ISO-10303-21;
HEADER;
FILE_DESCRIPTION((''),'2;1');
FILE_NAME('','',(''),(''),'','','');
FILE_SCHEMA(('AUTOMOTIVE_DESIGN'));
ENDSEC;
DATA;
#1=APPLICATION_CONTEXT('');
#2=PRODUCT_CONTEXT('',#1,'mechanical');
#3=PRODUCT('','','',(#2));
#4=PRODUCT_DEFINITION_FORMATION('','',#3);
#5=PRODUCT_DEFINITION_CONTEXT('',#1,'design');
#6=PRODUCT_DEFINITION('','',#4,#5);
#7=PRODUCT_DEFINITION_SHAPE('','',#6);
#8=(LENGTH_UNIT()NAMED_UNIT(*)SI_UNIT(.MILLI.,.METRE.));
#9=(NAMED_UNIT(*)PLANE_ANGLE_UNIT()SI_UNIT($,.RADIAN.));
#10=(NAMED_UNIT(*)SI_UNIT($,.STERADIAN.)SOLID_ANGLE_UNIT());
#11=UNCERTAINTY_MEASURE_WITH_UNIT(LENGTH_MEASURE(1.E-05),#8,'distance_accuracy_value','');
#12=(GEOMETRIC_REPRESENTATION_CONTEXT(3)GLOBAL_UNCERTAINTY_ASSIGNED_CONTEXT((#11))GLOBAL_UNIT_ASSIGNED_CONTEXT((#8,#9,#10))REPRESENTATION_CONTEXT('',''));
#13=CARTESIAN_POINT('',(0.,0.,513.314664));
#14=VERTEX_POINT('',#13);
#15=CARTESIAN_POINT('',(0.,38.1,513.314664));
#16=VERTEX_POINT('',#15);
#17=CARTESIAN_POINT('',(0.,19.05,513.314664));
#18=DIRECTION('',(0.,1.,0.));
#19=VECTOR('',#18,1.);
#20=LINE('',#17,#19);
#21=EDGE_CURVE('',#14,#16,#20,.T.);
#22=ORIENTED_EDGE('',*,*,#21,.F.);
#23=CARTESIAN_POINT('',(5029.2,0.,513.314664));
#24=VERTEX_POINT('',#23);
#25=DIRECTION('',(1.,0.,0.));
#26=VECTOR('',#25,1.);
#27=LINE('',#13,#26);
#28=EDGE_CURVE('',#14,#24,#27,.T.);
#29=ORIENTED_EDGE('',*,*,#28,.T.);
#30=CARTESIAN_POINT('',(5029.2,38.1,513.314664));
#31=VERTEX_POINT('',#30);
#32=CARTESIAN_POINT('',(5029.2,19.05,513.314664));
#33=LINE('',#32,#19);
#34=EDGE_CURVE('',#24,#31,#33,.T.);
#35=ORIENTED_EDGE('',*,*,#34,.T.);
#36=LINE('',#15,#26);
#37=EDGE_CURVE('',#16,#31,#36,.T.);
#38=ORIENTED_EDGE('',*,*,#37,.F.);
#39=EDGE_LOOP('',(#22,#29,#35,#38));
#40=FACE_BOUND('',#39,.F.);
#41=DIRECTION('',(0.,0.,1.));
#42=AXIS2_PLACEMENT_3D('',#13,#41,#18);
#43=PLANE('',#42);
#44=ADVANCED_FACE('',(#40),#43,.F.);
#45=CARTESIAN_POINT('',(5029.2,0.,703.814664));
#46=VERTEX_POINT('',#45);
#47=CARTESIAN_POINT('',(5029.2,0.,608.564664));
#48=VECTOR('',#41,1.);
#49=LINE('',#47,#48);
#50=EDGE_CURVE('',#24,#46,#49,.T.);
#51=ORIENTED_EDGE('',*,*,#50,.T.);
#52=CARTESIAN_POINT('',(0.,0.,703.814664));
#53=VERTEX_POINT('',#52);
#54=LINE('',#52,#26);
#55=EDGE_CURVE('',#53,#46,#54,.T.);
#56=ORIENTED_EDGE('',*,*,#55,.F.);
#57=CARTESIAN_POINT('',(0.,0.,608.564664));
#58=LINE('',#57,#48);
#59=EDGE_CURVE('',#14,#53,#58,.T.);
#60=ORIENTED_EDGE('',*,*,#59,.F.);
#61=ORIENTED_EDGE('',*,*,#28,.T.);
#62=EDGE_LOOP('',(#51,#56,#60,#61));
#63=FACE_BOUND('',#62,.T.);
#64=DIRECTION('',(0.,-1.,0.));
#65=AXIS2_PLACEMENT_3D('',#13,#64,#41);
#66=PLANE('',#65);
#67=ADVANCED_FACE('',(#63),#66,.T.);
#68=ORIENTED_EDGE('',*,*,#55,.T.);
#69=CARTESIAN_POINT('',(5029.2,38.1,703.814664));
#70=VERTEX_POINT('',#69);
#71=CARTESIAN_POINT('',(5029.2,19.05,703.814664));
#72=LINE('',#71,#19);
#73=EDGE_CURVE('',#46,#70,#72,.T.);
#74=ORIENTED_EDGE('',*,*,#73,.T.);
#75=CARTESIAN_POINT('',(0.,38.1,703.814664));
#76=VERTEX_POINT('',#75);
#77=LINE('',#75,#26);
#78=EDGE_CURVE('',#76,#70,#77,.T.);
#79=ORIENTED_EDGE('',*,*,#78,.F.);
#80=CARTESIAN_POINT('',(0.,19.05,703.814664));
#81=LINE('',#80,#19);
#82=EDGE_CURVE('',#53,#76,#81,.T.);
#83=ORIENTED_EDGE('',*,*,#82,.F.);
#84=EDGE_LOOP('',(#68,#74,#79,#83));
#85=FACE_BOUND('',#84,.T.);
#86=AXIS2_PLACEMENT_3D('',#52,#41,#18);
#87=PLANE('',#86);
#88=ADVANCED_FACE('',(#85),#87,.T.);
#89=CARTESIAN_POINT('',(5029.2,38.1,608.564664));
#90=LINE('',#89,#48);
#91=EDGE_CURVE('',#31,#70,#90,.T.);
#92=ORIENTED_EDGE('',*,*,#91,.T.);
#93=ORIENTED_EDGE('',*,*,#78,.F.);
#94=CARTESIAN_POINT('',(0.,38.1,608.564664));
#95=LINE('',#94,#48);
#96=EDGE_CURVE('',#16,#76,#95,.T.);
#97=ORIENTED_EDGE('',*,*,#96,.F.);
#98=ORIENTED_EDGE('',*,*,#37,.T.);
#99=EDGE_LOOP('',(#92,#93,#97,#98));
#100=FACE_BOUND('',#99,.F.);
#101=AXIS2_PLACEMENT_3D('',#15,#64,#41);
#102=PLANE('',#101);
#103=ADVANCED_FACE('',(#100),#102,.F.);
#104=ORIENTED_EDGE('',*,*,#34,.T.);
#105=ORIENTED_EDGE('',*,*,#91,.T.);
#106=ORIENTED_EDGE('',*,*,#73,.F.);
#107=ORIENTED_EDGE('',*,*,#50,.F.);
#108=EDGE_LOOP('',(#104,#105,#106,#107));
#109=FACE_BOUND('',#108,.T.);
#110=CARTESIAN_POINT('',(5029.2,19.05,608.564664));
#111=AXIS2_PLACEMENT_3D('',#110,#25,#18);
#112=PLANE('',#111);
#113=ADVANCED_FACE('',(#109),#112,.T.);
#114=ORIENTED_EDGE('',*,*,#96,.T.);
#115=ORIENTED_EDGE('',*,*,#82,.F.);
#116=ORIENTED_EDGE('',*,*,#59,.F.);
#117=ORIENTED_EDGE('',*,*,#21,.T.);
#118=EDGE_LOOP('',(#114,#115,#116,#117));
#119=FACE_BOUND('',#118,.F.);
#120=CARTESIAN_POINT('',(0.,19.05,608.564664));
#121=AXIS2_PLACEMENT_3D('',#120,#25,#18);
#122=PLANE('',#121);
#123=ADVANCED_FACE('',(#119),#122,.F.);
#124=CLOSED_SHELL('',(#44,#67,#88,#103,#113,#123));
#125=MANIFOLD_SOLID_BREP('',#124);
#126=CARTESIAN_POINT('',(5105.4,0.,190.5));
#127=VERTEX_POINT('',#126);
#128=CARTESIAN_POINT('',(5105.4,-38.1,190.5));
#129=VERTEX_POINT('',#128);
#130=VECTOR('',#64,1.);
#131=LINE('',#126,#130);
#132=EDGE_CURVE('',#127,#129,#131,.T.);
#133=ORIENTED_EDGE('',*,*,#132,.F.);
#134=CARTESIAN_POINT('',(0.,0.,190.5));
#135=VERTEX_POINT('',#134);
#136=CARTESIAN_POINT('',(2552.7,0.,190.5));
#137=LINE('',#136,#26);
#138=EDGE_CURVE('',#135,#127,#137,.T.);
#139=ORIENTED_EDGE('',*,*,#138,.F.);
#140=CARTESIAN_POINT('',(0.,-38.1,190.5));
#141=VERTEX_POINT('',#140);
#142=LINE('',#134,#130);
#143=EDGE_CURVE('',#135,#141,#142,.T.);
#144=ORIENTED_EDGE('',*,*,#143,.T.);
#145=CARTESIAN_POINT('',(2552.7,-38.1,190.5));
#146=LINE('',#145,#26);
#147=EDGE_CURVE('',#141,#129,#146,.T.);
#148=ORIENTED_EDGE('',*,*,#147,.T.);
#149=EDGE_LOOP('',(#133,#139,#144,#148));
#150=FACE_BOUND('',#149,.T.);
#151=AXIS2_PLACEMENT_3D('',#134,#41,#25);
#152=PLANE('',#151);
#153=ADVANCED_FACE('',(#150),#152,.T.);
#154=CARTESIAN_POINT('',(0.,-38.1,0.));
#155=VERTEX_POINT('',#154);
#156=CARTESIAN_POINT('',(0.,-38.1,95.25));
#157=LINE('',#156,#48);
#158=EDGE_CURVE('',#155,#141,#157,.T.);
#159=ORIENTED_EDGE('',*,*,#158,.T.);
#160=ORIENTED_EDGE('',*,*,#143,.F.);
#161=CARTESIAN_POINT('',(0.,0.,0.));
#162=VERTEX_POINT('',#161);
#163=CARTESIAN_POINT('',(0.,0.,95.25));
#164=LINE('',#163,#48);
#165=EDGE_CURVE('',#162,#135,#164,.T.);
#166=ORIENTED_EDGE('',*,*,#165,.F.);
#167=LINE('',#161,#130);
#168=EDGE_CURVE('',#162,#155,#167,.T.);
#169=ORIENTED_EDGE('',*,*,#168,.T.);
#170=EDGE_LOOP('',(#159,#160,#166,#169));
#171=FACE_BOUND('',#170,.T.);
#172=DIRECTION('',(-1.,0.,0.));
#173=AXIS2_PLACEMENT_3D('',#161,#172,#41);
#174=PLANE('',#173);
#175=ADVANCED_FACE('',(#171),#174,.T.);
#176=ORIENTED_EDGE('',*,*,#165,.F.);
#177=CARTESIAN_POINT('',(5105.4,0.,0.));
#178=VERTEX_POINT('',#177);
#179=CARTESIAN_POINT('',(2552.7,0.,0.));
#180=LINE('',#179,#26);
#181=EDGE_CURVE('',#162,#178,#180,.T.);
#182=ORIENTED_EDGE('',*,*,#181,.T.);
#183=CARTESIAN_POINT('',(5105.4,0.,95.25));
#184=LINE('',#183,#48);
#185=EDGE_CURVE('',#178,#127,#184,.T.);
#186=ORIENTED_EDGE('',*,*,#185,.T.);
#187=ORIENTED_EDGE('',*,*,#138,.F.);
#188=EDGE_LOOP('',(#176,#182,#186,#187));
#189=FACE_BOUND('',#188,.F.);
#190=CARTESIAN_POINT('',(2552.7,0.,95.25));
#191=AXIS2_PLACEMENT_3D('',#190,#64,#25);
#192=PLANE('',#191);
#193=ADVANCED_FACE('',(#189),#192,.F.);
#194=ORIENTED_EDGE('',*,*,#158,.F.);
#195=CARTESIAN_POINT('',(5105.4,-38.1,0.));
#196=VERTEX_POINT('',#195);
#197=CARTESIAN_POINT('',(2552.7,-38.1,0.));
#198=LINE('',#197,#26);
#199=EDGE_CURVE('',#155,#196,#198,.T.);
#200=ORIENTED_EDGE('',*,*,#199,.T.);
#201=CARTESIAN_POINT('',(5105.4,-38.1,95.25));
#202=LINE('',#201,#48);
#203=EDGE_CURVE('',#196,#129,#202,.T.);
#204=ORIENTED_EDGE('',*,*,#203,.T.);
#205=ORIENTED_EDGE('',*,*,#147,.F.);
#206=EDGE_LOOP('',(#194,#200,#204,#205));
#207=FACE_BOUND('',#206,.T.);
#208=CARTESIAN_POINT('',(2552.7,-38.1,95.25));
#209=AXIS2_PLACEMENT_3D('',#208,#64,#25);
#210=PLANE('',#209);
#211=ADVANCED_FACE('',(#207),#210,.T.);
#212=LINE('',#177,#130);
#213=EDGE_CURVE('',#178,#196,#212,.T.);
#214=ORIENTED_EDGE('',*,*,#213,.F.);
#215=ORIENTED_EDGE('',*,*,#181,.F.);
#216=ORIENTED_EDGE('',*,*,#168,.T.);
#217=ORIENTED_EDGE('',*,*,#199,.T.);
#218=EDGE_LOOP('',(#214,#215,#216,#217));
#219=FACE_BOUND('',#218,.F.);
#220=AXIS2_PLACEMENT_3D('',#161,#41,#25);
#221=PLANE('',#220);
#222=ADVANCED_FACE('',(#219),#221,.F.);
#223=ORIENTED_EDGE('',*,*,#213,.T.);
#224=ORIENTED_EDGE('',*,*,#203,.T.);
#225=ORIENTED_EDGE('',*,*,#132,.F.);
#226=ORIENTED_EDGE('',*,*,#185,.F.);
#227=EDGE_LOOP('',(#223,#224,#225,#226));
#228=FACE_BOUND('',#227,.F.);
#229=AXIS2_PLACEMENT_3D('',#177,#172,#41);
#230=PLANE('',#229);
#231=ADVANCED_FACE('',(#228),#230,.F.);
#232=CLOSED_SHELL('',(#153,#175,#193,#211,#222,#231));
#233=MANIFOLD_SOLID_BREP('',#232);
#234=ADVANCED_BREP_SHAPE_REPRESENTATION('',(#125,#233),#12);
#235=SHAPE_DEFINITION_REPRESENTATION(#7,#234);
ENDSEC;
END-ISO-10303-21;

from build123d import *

# Parameters (mm, degrees)
F0_W     = 5105.4
F0_H     = 190.5
F1_DEPTH = 38.1
F2_W     = 38.1
F2_H     = 190.5
F3_DEPTH = 5029.2


with BuildPart() as f1:
    # F0 (on Front) → F1 (new body)
    with BuildSketch(Plane.XZ):
        with Locations((2552.7, 95.25)):
            Rectangle(F0_W, F0_H)
    extrude(amount=F1_DEPTH)


with BuildPart() as f3:
    # F2 (on Right) → F3 (new body)
    with BuildSketch(Plane.YZ):
        with Locations((19.05, 608.564664)):
            Rectangle(F2_W, F2_H)
    extrude(amount=F3_DEPTH)


solid = Compound([f1.part, f3.part])
